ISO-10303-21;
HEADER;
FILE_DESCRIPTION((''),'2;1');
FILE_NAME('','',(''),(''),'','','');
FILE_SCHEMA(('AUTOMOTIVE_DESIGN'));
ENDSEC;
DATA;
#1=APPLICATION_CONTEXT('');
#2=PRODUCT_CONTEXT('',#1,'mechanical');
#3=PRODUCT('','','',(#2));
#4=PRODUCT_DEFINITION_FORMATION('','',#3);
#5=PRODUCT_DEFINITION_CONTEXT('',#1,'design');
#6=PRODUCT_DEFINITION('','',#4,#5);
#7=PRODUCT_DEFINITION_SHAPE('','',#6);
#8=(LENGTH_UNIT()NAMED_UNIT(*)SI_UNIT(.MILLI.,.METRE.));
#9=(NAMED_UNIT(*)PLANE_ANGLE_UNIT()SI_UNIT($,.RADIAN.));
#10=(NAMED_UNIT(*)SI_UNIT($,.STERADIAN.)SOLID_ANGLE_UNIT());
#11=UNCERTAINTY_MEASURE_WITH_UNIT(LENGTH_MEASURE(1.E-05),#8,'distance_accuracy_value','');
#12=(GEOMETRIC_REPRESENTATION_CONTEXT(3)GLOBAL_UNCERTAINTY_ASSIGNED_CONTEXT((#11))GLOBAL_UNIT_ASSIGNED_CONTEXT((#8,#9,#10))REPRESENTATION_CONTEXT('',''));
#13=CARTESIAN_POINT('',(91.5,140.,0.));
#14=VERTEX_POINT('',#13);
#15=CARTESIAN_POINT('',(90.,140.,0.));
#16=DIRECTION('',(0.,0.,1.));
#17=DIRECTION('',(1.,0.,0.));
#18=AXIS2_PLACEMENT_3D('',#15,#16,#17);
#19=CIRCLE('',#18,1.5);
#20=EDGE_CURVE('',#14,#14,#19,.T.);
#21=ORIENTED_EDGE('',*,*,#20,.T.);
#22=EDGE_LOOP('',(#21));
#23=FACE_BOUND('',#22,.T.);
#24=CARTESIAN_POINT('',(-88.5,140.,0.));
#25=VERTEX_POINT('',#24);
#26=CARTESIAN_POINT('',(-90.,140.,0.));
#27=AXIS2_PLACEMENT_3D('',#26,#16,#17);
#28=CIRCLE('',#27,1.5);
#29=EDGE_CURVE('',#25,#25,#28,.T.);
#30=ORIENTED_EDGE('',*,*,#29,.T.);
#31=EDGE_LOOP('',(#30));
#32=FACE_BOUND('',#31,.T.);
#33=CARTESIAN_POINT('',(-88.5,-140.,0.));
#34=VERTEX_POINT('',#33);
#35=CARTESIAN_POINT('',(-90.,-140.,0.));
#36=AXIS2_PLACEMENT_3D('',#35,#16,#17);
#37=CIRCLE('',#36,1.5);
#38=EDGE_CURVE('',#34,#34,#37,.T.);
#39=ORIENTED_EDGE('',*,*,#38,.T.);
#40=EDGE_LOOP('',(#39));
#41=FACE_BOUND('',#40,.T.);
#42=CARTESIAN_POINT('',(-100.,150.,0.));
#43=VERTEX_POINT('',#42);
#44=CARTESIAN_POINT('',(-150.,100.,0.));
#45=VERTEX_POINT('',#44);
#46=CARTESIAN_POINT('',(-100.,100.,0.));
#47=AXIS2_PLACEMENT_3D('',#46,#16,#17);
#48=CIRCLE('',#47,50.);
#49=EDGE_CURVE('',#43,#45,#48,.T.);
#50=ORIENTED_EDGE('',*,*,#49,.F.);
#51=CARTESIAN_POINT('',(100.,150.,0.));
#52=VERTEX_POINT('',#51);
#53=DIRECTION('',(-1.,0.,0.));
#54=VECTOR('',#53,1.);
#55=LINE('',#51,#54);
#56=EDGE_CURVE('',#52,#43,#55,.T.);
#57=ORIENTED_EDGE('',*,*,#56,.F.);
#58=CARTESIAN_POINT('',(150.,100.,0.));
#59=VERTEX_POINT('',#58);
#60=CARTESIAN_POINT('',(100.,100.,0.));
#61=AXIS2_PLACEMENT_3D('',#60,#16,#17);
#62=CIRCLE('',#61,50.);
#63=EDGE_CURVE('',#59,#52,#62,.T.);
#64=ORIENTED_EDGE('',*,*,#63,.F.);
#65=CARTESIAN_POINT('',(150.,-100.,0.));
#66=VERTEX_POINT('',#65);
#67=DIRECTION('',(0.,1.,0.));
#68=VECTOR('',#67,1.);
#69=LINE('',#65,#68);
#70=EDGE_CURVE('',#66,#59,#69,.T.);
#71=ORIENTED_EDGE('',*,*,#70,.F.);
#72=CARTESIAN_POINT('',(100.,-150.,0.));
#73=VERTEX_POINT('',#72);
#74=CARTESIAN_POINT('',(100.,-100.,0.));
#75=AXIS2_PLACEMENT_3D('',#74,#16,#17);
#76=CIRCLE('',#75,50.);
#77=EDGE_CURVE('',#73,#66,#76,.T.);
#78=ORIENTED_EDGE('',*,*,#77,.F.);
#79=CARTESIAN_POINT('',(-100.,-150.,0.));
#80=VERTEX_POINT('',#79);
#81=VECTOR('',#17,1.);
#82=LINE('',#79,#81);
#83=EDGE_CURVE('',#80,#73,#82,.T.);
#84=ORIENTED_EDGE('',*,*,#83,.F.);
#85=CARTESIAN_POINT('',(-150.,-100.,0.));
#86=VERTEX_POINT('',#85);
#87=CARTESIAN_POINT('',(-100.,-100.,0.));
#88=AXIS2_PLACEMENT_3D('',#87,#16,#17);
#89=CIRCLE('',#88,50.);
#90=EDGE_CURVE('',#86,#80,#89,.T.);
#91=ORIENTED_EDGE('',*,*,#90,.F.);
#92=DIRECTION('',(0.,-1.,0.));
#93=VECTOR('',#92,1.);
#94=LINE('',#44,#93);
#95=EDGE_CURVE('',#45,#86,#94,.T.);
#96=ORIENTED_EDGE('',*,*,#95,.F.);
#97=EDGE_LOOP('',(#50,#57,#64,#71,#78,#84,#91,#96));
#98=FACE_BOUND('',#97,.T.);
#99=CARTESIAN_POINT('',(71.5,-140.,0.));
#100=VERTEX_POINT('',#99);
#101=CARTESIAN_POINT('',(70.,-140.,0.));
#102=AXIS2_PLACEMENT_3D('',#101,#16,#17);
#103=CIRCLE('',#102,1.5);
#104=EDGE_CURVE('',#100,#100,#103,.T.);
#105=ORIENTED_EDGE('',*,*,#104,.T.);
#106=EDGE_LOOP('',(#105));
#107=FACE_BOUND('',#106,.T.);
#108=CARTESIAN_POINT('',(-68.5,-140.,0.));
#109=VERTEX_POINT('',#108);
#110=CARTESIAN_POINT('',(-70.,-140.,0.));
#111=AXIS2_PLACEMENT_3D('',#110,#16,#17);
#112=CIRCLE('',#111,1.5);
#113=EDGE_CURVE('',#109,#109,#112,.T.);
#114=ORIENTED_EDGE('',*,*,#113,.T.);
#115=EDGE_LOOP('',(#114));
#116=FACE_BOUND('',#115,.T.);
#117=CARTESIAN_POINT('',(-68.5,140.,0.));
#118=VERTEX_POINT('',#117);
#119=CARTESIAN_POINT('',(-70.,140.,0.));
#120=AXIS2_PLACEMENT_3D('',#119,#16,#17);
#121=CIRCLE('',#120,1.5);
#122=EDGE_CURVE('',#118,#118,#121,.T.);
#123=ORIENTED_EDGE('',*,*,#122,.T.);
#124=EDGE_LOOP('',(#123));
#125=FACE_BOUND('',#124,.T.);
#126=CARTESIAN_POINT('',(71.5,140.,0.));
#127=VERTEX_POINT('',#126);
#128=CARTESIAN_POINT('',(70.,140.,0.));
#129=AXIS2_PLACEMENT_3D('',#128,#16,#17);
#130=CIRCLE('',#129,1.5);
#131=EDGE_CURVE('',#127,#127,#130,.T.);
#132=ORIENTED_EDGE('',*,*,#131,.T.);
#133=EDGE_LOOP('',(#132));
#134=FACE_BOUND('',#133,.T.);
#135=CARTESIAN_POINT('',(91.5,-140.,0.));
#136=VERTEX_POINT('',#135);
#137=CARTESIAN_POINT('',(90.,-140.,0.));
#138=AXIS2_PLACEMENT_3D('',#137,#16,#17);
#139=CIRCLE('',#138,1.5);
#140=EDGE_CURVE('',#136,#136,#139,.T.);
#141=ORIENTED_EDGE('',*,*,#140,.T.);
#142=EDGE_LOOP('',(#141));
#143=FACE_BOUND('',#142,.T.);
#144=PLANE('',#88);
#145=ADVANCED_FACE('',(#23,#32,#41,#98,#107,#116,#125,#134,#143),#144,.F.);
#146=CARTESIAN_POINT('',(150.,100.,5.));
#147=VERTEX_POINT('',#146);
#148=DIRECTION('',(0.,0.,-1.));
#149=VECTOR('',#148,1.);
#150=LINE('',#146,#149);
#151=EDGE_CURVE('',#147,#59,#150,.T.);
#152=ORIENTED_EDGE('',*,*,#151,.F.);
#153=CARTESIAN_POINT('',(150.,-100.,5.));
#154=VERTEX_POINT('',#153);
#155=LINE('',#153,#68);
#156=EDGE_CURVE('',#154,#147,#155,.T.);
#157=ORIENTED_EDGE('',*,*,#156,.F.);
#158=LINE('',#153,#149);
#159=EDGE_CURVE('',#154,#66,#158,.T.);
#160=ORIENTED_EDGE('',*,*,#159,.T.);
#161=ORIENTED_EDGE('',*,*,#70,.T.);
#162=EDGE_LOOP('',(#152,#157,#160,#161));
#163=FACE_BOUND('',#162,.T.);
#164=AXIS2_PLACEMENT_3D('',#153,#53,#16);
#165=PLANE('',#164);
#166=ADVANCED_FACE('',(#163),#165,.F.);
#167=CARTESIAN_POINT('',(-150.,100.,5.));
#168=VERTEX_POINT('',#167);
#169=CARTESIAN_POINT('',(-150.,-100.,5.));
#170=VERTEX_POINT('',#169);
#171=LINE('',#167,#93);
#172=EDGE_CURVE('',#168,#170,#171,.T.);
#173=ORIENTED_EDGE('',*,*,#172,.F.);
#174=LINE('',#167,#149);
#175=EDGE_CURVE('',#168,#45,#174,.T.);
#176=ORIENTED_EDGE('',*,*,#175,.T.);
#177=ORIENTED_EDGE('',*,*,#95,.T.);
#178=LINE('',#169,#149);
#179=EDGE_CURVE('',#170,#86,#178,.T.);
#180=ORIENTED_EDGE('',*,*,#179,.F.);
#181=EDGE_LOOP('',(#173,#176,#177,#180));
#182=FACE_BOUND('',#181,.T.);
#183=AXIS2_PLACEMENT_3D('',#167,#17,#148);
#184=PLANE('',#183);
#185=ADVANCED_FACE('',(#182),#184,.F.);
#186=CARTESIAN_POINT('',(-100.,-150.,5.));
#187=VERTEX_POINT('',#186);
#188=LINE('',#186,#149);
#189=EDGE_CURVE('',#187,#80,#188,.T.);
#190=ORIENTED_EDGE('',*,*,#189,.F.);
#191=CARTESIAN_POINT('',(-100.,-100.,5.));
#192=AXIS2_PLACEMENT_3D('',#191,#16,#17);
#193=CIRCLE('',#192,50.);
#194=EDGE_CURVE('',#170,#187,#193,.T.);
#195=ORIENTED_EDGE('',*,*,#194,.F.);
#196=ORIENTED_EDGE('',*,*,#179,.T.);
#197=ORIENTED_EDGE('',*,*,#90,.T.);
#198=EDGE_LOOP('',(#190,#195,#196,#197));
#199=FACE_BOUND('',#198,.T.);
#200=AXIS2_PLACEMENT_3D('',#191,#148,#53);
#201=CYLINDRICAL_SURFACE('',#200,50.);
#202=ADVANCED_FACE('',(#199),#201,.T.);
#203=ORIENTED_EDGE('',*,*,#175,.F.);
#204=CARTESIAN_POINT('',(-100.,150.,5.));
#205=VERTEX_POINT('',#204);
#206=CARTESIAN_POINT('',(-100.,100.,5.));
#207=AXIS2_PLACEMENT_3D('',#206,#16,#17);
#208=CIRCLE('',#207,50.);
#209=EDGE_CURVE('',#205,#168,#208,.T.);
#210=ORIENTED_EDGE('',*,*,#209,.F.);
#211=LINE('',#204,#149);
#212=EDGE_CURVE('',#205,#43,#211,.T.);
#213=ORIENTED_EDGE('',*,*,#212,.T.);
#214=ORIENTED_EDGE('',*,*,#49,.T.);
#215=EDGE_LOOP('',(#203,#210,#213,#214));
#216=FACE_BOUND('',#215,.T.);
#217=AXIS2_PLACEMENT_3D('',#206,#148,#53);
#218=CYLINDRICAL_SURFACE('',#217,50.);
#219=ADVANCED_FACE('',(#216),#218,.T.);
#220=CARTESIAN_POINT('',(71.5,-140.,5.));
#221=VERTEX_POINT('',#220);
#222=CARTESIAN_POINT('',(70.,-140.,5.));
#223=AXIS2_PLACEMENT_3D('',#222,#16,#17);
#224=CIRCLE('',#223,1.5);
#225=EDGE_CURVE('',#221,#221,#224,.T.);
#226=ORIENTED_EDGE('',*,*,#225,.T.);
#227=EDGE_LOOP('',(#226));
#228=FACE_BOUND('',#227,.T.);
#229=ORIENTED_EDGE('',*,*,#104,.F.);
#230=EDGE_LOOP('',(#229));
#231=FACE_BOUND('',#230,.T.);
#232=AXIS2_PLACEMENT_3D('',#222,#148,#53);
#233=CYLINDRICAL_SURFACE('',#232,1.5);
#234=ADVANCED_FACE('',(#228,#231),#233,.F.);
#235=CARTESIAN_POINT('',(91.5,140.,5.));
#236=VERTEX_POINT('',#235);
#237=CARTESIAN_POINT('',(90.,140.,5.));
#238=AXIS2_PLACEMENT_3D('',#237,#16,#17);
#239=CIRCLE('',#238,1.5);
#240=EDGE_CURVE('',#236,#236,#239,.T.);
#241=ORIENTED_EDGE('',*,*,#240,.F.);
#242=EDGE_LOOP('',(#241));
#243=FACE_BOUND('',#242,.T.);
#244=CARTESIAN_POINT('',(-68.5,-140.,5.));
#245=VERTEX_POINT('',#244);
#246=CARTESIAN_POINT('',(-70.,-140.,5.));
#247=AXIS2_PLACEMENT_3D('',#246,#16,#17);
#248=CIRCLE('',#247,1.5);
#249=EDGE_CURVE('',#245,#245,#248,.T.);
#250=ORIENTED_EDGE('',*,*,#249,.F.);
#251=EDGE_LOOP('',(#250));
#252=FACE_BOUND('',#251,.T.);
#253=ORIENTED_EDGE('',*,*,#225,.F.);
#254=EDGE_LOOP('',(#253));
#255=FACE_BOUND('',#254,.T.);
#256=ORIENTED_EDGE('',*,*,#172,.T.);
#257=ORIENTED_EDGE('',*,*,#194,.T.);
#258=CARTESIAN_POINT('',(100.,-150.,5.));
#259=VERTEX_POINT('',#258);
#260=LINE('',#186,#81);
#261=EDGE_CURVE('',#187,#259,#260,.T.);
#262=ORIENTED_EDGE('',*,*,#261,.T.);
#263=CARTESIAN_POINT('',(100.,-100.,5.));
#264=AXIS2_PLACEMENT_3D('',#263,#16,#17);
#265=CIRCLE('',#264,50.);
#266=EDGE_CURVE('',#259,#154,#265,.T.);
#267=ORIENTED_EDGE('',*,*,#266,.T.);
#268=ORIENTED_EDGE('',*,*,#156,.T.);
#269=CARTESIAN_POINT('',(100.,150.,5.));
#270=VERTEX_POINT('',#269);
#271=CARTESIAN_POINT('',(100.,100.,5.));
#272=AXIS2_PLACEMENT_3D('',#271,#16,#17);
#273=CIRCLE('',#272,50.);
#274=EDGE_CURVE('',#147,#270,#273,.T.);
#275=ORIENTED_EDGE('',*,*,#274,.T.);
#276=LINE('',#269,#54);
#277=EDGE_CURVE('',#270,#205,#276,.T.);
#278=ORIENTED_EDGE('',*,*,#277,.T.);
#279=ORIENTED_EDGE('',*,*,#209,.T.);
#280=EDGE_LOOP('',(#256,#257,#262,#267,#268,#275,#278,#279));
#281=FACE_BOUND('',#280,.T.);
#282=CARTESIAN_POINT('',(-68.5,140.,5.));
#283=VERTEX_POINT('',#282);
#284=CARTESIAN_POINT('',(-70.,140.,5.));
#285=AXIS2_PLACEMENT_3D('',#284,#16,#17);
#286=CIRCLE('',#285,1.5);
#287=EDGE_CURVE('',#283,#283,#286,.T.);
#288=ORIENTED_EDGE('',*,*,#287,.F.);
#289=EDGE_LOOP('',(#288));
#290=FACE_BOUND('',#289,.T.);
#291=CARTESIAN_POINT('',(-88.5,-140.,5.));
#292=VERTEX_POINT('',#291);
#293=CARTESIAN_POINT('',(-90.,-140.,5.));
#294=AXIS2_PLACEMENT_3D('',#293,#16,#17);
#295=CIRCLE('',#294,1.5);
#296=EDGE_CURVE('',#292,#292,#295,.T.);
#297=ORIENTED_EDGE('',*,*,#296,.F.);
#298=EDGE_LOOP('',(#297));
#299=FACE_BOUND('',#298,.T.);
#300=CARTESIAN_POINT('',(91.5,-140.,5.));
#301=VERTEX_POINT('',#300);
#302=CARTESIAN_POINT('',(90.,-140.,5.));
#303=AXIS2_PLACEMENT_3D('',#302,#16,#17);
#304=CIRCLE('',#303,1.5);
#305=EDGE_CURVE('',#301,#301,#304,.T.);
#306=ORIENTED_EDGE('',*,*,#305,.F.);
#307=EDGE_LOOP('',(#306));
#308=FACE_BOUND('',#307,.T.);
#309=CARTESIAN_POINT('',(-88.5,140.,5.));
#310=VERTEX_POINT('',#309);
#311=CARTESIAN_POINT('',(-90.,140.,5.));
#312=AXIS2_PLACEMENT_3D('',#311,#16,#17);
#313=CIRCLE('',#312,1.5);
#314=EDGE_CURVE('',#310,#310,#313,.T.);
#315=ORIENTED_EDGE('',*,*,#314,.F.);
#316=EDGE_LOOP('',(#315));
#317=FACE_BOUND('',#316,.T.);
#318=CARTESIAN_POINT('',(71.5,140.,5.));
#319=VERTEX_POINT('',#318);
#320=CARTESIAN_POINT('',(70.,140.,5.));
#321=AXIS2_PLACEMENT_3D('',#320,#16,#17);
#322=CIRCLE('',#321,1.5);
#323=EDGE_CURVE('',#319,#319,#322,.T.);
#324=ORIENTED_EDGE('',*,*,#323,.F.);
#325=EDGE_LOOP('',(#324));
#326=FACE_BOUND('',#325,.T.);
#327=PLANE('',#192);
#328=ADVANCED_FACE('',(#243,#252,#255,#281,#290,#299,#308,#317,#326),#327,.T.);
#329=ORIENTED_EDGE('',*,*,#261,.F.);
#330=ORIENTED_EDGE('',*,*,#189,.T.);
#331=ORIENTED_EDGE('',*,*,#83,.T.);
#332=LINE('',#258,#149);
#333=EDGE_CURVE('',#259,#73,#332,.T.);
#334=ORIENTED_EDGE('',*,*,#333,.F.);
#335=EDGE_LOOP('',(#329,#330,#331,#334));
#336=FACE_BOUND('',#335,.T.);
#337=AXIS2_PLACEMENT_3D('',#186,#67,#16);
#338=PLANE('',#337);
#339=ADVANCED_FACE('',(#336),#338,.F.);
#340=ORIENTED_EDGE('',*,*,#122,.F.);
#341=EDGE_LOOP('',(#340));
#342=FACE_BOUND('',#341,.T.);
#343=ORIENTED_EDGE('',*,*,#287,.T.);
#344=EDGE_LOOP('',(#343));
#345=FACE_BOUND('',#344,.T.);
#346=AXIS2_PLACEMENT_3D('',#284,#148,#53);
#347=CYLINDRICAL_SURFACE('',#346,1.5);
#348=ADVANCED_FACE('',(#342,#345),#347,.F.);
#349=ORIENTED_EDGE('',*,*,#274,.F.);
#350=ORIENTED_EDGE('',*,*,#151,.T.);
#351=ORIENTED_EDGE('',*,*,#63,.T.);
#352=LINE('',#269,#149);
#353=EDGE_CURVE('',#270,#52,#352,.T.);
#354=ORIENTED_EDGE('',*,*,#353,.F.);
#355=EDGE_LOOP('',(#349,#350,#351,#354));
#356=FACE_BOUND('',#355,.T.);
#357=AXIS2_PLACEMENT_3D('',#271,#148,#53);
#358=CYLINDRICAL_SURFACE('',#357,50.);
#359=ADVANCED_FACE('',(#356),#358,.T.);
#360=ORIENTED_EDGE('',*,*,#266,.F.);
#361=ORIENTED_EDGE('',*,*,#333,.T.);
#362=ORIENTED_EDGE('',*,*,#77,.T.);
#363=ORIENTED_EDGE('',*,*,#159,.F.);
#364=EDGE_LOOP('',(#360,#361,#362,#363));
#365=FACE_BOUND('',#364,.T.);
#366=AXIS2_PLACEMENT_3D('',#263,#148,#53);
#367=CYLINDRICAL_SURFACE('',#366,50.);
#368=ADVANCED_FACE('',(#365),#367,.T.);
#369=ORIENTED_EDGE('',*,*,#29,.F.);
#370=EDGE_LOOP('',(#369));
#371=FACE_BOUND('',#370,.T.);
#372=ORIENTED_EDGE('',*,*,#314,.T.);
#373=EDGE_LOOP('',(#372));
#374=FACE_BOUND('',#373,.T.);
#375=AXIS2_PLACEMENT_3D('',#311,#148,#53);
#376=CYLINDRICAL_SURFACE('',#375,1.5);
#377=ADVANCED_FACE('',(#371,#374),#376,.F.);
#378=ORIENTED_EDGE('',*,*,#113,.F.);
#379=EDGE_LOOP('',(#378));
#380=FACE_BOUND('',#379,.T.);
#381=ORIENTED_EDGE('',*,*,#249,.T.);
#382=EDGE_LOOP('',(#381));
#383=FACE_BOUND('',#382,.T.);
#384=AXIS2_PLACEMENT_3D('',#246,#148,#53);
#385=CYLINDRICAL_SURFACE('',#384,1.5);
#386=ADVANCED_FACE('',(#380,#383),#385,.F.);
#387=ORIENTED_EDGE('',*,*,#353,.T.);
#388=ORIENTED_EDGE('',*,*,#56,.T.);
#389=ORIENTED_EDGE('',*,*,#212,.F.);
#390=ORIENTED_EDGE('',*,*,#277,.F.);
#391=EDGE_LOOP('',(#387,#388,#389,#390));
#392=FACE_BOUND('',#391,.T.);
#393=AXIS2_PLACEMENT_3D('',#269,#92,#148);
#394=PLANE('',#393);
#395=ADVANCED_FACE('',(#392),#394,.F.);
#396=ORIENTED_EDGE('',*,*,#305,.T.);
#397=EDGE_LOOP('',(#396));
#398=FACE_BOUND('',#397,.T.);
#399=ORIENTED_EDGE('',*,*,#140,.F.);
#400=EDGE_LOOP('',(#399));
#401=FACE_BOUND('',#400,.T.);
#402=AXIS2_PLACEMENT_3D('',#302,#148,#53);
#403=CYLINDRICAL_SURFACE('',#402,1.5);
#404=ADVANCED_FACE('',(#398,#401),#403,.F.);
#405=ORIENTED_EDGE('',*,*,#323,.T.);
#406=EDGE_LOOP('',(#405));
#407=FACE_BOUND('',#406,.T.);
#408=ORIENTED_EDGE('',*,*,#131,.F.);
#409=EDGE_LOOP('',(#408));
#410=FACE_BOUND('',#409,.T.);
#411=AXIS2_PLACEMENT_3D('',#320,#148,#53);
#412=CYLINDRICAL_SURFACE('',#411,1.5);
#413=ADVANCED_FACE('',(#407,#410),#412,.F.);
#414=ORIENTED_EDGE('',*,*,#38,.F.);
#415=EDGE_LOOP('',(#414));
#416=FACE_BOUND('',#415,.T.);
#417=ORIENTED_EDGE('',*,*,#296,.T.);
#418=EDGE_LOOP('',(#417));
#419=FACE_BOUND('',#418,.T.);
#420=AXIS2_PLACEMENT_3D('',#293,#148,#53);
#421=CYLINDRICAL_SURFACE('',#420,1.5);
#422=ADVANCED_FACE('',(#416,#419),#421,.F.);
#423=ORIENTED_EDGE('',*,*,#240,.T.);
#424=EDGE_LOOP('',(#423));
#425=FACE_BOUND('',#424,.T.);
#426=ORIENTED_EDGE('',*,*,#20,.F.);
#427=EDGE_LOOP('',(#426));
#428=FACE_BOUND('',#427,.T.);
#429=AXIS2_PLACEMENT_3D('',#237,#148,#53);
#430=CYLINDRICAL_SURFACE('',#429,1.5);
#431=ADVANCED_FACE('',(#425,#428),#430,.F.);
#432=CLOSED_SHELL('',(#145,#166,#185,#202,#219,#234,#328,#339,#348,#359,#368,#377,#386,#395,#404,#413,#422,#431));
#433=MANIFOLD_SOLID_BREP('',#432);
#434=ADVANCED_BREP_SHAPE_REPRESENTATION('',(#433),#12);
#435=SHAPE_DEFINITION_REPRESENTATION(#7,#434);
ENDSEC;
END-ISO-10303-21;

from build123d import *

# Parameters (mm, degrees)
SKETCH1_R           = 1.5
BOSS_EXTRUDE1_DEPTH = 5


with BuildPart() as part:
    # Sketch1 → Boss-Extrude1 (new body)
    with BuildSketch(Plane.XY):
        with BuildLine():
            Line((-100, -150), (100, -150))
            ThreePointArc((100, -150), (135.355339059, -135.355339059), (150, -100))
            Line((150, -100), (150, 100))
            ThreePointArc((150, 100), (135.355339059, 135.355339059), (100, 150))
            Line((100, 150), (-100, 150))
            ThreePointArc((-100, 150), (-135.355339059, 135.355339059), (-150, 100))
            Line((-150, 100), (-150, -100))
            ThreePointArc((-150, -100), (-135.355339059, -135.355339059), (-100, -150))
        make_face()
        with Locations((-70, 140)):
            Circle(SKETCH1_R, mode=Mode.SUBTRACT)
        with Locations((-90, 140)):
            Circle(SKETCH1_R, mode=Mode.SUBTRACT)
        with Locations((70, 140)):
            Circle(SKETCH1_R, mode=Mode.SUBTRACT)
        with Locations((90, -140)):
            Circle(SKETCH1_R, mode=Mode.SUBTRACT)
        with Locations((70, -140)):
            Circle(SKETCH1_R, mode=Mode.SUBTRACT)
        with Locations((-70, -140)):
            Circle(SKETCH1_R, mode=Mode.SUBTRACT)
        with Locations((-90, -140)):
            Circle(SKETCH1_R, mode=Mode.SUBTRACT)
        with Locations((90, 140)):
            Circle(SKETCH1_R, mode=Mode.SUBTRACT)
    extrude(amount=BOSS_EXTRUDE1_DEPTH)


solid = part.part
